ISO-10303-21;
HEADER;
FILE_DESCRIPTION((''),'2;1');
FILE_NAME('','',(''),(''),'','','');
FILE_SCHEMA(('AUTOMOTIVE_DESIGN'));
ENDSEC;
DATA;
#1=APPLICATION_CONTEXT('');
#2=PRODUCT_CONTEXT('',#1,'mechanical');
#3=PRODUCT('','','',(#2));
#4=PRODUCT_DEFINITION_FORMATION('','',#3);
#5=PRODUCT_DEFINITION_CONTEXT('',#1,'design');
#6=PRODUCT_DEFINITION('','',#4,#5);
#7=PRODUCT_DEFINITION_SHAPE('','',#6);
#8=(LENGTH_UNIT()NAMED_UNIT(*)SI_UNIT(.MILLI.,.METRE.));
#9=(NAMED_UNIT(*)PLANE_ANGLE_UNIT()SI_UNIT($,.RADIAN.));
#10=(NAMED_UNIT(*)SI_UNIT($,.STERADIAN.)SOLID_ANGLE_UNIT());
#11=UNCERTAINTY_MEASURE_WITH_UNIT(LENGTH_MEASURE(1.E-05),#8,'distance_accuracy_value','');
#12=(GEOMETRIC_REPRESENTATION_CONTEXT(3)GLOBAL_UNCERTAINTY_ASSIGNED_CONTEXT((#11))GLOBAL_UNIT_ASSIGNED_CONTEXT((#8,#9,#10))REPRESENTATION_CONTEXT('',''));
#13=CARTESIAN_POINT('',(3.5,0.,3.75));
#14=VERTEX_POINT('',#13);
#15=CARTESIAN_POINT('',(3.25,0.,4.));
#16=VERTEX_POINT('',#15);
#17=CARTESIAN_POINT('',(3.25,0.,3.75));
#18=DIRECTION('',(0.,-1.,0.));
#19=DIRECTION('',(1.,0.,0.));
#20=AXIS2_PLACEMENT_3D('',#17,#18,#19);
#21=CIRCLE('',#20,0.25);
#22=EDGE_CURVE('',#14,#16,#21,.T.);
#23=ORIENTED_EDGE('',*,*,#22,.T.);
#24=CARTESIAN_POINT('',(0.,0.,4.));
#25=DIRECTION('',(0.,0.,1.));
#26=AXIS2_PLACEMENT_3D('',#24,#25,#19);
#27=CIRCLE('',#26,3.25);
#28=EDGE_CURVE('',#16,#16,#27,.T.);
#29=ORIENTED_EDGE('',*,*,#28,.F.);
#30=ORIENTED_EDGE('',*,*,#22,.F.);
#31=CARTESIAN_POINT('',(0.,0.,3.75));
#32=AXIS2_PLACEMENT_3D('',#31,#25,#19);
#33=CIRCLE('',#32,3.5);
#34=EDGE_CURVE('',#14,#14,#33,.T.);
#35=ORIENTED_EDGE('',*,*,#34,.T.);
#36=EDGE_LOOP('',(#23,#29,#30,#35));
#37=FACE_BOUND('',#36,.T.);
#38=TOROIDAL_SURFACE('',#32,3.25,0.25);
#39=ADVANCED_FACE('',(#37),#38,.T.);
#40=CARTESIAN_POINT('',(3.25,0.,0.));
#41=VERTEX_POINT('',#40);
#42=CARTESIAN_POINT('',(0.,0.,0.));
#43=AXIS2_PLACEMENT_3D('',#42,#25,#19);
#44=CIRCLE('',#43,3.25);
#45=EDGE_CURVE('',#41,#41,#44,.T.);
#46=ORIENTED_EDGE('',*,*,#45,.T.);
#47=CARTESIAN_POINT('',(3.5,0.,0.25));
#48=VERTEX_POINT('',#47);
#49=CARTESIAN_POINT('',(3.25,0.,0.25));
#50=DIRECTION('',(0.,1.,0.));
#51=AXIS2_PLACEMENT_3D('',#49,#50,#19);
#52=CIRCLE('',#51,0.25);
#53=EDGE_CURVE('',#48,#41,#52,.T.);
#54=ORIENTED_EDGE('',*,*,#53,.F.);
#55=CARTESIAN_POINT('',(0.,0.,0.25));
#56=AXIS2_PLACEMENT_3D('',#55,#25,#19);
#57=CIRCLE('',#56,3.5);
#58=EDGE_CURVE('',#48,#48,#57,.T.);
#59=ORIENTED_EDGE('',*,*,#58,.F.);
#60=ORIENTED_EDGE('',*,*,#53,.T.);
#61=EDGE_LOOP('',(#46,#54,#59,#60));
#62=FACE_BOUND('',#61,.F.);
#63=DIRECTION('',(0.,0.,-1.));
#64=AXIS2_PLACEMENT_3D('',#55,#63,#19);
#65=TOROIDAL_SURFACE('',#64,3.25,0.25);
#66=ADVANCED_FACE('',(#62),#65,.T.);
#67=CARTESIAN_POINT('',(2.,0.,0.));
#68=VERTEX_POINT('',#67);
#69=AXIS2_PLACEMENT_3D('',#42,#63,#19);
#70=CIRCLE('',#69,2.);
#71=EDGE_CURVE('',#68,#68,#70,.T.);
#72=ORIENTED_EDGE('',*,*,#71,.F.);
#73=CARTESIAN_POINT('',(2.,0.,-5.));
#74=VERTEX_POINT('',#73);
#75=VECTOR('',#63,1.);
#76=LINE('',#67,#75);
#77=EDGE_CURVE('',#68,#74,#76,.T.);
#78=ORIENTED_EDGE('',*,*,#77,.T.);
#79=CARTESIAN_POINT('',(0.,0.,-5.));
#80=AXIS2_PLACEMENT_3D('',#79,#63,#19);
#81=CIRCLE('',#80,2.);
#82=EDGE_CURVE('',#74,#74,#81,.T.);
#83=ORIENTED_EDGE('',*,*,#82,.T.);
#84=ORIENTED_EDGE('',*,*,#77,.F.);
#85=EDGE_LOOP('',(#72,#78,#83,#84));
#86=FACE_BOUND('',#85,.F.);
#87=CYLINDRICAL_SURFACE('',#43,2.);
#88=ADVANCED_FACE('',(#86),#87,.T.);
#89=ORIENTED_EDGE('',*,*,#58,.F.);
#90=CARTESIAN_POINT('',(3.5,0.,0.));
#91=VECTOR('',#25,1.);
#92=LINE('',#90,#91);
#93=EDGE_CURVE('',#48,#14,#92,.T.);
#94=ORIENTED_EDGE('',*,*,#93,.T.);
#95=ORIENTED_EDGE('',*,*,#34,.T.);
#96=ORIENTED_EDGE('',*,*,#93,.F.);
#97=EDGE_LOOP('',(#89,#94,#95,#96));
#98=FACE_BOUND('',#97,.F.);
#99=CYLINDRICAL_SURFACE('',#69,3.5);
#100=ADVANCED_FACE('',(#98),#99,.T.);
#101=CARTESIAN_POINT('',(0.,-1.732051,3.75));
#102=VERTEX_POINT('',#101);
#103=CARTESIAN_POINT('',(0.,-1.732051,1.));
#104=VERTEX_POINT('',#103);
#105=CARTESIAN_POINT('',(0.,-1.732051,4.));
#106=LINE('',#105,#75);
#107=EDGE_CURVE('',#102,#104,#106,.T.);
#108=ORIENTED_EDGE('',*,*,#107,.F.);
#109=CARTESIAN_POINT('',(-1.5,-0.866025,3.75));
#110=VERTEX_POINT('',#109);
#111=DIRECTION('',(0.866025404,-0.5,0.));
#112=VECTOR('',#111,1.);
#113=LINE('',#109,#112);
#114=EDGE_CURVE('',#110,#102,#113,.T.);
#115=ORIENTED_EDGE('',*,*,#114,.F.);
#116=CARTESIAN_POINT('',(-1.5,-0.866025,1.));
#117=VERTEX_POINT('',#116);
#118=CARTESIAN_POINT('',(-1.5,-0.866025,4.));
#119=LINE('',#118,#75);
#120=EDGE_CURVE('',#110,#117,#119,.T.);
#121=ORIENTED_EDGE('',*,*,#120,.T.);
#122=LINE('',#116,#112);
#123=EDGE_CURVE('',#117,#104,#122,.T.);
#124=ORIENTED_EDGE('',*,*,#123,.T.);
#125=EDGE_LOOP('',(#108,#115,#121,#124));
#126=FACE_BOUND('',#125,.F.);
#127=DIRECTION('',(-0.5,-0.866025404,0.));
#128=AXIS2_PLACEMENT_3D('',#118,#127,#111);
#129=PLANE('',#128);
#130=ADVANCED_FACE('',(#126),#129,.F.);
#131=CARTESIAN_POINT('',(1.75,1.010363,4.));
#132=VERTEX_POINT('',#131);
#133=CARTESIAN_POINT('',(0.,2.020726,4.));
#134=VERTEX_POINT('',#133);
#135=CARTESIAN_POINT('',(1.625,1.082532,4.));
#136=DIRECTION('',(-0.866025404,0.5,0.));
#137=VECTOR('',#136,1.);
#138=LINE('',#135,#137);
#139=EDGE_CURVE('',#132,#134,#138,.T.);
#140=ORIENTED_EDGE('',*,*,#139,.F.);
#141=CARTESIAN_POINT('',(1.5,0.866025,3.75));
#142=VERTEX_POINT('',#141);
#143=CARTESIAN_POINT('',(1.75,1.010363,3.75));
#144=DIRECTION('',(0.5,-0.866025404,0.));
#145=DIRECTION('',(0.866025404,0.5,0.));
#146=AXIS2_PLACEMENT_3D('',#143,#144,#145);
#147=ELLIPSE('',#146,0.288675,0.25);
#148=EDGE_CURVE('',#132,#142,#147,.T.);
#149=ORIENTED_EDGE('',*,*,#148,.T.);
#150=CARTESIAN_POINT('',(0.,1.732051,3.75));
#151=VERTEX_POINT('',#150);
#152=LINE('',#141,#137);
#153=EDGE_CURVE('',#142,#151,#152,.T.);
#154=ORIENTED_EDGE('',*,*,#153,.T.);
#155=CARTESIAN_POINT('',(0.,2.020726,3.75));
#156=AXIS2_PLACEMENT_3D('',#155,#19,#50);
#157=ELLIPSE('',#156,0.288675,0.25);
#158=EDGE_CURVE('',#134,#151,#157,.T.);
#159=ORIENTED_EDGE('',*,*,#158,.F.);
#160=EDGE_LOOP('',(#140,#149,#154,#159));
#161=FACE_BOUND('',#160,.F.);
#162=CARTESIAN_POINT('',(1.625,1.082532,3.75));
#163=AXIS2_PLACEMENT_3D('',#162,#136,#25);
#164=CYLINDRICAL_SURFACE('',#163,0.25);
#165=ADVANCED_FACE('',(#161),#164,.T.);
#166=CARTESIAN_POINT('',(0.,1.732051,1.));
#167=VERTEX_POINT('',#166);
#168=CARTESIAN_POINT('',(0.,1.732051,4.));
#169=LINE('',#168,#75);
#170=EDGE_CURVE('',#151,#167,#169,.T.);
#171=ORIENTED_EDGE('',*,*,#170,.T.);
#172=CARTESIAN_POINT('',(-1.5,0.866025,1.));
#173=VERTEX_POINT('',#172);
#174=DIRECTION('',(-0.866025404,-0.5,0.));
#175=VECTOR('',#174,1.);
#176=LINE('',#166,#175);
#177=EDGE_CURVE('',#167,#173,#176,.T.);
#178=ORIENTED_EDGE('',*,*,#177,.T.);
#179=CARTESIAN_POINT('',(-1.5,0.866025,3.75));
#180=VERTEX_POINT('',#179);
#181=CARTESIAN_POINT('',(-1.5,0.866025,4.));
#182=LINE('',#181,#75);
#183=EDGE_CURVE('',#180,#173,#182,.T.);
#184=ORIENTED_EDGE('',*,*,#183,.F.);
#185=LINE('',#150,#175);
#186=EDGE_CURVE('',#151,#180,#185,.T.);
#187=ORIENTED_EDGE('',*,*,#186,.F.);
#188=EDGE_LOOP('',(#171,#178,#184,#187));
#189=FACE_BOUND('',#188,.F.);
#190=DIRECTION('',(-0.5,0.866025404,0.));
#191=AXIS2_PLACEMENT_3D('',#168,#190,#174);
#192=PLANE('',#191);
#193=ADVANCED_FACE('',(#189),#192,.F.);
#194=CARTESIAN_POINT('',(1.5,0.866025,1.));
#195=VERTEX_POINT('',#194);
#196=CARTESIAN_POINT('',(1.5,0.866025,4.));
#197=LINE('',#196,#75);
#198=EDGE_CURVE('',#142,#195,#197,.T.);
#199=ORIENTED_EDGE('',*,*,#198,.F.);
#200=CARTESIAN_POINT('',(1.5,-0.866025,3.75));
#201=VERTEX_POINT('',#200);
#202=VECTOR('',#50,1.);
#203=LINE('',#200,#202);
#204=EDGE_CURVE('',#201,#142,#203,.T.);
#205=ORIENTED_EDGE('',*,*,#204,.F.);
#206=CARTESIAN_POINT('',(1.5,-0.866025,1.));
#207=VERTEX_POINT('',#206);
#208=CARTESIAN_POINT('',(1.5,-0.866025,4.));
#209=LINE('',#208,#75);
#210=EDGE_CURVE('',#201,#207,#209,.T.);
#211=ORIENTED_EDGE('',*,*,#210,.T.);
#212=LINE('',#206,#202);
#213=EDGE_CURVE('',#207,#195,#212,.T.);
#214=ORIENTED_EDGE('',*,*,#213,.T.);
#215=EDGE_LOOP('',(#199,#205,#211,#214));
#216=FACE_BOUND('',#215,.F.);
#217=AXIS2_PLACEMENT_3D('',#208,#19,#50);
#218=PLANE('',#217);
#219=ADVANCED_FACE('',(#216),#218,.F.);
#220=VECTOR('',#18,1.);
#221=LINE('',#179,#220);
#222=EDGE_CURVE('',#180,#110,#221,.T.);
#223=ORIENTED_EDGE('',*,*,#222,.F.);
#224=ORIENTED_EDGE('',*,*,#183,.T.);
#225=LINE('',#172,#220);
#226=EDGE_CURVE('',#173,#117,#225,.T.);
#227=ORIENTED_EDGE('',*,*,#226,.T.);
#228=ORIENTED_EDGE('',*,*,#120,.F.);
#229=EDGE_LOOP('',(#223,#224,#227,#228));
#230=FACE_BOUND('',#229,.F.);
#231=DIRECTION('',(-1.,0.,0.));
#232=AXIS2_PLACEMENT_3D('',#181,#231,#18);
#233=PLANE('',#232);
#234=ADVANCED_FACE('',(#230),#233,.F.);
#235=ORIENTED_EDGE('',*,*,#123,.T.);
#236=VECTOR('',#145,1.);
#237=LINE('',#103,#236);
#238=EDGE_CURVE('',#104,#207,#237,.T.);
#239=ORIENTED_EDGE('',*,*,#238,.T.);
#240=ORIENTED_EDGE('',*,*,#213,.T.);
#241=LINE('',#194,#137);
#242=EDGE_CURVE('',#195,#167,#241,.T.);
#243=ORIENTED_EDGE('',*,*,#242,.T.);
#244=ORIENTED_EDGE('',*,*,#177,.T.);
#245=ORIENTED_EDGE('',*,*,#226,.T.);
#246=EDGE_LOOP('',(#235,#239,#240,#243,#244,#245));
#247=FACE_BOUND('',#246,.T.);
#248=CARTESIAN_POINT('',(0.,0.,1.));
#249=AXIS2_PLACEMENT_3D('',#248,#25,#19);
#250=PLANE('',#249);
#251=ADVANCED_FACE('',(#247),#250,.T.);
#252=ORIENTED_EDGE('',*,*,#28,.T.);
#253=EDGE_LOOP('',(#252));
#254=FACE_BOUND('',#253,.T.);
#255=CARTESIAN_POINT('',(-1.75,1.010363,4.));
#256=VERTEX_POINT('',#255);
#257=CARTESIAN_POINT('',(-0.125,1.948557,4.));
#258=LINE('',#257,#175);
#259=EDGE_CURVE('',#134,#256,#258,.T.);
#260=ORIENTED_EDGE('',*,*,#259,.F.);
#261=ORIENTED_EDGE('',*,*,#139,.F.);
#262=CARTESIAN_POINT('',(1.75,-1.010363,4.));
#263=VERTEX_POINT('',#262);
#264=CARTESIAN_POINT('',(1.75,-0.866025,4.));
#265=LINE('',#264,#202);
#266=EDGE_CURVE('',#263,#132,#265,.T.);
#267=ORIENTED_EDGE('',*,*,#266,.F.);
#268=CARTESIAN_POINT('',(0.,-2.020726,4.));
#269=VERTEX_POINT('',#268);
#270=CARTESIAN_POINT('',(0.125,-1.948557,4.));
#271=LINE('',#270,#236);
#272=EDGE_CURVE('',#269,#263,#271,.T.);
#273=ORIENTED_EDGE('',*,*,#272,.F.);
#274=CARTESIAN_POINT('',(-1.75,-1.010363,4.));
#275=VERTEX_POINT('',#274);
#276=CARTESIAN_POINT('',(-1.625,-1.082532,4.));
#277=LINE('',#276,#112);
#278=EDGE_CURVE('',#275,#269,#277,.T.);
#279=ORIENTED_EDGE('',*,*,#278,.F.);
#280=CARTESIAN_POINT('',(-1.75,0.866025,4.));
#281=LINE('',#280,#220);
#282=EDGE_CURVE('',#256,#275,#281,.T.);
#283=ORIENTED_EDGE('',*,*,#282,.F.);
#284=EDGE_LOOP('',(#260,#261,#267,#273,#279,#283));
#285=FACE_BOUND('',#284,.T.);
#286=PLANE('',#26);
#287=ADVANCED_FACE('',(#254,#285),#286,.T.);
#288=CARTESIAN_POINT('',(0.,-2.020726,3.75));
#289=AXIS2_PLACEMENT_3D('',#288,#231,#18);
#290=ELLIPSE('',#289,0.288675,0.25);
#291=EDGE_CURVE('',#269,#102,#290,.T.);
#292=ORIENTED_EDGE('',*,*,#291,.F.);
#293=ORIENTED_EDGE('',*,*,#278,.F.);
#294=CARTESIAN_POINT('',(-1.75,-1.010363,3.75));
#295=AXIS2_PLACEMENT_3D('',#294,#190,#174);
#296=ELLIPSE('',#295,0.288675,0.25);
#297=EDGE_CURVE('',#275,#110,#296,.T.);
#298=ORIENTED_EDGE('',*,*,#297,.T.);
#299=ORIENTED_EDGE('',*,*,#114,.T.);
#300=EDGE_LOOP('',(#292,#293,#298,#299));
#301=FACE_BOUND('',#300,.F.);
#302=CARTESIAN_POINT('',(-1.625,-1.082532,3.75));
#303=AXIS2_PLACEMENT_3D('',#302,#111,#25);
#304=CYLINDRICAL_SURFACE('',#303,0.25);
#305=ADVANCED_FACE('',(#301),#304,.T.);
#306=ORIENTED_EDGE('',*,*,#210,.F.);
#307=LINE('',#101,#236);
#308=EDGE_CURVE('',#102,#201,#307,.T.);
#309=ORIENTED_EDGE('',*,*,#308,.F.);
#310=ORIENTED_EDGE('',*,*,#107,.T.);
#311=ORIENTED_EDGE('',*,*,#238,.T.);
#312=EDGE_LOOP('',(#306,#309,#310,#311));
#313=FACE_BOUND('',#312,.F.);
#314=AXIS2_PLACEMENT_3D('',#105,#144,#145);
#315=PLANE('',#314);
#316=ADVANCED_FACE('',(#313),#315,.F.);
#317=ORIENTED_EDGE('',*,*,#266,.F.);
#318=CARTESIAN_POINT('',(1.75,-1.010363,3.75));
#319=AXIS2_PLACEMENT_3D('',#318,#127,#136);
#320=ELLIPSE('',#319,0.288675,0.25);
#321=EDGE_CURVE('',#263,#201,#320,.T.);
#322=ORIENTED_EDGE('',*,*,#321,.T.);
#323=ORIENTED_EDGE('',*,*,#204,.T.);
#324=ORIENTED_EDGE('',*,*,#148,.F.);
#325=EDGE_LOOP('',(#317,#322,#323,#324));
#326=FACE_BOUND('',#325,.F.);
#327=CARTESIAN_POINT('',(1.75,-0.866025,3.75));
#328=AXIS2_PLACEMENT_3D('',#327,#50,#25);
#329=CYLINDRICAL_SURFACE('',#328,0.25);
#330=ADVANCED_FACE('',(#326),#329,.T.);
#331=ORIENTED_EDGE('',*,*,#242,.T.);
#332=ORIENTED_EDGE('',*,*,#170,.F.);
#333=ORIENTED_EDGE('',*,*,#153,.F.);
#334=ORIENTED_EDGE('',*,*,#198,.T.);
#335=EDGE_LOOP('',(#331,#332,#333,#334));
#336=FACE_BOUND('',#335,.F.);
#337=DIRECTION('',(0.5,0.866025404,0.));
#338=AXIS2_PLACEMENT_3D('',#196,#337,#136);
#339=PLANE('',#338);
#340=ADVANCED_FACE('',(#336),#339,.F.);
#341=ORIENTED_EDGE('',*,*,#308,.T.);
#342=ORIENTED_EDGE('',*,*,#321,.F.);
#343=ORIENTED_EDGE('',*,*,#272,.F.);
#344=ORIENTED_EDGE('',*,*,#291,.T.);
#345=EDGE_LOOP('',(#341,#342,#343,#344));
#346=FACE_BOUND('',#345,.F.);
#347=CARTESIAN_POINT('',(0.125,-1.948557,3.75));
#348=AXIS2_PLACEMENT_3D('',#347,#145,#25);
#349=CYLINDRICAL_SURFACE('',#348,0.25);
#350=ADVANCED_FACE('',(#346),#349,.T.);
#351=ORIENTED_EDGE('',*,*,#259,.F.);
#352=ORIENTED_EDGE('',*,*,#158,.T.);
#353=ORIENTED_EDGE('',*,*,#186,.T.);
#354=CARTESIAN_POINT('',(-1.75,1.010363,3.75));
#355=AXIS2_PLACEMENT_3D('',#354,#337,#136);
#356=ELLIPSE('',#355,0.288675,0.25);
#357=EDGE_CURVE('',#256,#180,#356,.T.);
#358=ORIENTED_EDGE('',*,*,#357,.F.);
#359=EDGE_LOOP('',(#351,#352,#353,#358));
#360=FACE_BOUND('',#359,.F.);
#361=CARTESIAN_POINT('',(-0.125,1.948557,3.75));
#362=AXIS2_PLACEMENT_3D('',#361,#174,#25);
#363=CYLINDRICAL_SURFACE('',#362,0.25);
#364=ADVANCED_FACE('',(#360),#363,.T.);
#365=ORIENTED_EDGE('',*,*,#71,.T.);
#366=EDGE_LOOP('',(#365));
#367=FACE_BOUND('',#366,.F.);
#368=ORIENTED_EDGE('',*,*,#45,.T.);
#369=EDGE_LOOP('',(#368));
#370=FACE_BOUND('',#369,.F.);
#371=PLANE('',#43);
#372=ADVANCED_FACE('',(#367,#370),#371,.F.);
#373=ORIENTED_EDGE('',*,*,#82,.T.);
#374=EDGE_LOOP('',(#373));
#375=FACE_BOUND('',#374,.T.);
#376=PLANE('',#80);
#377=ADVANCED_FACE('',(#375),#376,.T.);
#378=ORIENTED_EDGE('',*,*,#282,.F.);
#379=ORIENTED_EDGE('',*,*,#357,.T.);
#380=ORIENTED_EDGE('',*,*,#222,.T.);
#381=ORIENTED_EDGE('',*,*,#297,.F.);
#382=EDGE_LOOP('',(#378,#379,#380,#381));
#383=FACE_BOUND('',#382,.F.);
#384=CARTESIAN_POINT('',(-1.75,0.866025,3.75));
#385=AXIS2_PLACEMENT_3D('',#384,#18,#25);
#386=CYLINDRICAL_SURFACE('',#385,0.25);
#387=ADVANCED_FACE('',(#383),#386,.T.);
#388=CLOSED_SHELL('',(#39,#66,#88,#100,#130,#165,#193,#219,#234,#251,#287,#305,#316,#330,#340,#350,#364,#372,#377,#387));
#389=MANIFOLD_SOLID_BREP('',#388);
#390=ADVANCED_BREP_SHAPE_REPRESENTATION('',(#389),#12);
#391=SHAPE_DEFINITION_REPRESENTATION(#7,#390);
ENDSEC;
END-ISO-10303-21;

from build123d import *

# Parameters (mm, degrees)
F0_R     = 3.5
F1_DEPTH = 4
F2_R     = 2
F3_DEPTH = 5
F5_DEPTH = 3
F6_R     = 0.25


with BuildPart() as f1:
    # F0 (on Top) → F1 (new body)
    with BuildSketch(Plane.XY):
        Circle(F0_R)
    extrude(amount=F1_DEPTH)

    # F2 (on face) → F3 (join)
    with BuildSketch(Plane(origin=(0, 0, 0), x_dir=(1, 0, 0), z_dir=(0, 0, -1))):
        Circle(F2_R)
    extrude(amount=F3_DEPTH)

    # F4 (on face) → F5 (cut)
    with BuildSketch(Plane.XY.offset(4)):
        Polygon((1.5, -0.8660254038), (1.5, 0.8660254038), (0, 1.7320508076), (-1.5, 0.8660254038), (-1.5, -0.8660254038), (0, -1.7320508076), align=None)
    extrude(amount=-F5_DEPTH, mode=Mode.SUBTRACT)

    # F6
    f6_edges = [f1.edges().sort_by_distance(p)[0] for p in [
        (-3.5, 0, 4),
        (1.5, 0, 4),
        (0.75, 1.299038, 4),
        (-0.75, 1.299038, 4),
        (-1.5, 0, 4),
        (-0.75, -1.299038, 4),
        (0.75, -1.299038, 4),
        (-3.5, 0, 0),
    ]]
    fillet(f6_edges, radius=F6_R)


solid = f1.part
